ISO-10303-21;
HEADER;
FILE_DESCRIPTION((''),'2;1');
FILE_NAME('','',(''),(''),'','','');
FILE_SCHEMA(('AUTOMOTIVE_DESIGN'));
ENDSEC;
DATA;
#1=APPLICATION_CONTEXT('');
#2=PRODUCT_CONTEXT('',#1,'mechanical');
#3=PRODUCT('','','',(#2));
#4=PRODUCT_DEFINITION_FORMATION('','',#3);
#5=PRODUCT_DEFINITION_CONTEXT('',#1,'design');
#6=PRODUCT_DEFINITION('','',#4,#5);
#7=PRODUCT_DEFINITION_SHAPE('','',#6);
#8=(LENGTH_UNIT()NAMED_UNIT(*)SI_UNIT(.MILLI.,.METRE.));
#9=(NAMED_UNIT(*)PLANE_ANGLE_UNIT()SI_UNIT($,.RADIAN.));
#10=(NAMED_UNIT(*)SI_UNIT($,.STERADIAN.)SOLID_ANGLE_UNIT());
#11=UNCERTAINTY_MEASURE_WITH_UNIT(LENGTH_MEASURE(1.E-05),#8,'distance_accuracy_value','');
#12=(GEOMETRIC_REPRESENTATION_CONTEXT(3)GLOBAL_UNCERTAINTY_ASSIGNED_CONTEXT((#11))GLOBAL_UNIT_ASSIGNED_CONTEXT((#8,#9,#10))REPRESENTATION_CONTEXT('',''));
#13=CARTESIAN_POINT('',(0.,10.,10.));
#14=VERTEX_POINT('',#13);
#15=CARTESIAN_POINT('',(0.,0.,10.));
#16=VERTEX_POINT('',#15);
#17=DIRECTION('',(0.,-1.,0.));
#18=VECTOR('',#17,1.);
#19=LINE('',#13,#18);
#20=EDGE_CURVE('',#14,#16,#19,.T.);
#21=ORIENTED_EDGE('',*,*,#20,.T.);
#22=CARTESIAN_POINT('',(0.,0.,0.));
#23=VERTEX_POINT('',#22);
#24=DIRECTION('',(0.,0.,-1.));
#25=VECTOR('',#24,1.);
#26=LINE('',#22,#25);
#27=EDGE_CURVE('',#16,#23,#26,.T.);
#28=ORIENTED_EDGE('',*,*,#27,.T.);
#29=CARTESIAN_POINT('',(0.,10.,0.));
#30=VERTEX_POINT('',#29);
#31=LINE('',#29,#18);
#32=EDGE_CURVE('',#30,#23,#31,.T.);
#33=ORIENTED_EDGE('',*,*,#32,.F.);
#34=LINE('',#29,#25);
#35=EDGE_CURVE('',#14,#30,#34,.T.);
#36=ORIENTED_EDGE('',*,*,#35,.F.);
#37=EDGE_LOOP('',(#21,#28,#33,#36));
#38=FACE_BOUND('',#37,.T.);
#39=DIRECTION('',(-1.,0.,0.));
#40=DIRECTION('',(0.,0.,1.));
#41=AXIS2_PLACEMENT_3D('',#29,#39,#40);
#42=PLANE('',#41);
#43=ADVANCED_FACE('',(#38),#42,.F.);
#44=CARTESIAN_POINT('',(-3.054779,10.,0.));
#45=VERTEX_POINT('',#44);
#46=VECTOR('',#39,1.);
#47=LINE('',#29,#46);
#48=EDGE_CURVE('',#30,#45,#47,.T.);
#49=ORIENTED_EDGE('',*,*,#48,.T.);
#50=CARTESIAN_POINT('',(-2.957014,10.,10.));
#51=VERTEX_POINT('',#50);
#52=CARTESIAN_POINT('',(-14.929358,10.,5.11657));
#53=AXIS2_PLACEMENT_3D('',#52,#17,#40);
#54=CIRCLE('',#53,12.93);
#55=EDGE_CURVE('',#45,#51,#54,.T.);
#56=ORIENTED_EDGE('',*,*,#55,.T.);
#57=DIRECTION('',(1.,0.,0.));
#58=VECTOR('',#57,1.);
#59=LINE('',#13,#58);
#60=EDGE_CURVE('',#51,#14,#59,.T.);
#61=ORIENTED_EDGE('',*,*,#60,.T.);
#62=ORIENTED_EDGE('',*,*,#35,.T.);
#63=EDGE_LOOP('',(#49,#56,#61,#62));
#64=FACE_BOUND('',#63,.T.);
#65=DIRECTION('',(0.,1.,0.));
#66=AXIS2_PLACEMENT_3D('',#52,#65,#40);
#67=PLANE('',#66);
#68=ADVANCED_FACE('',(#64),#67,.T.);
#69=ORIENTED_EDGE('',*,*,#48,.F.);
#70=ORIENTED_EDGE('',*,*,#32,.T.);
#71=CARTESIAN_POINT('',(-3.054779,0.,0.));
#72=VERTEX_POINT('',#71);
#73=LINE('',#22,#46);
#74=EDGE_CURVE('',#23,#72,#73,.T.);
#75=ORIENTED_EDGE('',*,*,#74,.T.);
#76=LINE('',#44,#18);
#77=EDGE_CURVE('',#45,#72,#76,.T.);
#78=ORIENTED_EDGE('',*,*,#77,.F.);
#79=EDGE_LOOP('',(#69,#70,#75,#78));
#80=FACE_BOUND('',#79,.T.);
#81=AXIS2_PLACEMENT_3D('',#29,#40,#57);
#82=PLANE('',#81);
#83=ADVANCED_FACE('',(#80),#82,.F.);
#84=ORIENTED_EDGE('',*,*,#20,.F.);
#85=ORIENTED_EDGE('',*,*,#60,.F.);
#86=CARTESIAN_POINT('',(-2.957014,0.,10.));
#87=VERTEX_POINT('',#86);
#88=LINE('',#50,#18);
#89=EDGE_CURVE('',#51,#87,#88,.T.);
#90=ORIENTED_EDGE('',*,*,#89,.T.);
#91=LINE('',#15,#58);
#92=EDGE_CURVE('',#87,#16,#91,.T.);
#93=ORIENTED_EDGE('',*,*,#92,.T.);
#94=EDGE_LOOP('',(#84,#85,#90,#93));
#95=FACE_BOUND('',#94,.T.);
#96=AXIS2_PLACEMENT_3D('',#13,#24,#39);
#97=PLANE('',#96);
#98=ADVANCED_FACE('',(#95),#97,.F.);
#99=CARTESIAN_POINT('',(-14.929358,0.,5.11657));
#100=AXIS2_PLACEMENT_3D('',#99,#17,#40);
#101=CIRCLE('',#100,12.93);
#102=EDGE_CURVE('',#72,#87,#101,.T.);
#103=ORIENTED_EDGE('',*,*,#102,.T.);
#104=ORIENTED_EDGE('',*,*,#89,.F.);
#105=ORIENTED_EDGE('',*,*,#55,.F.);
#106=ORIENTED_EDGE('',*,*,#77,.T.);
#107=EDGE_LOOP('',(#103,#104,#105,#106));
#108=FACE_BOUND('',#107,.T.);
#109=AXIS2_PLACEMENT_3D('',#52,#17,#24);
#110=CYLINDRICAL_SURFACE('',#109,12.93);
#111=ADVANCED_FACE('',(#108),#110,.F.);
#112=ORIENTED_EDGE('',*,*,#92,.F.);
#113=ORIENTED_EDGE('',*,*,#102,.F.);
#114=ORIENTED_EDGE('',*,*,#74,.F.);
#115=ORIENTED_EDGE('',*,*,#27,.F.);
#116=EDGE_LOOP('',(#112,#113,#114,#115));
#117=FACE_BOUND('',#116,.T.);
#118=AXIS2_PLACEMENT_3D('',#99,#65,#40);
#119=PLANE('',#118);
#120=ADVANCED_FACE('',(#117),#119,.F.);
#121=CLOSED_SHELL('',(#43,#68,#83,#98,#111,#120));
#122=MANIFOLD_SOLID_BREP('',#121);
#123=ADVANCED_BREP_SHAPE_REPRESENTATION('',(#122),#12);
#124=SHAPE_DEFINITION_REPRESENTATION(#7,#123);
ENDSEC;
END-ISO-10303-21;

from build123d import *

# Parameters (mm, degrees)
EXTRUDE_1_DEPTH = 10


with BuildPart() as part:
    # 草图1 → 凸台-拉伸1 (new body)
    with BuildSketch(Plane(origin=(0, 0, 0), x_dir=(1, 0, 0), z_dir=(0, 1, 0))):
        with BuildLine():
            Line((0, 0), (0, -10))
            Line((0, -10), (-2.957014408, -10))
            ThreePointArc((-2.957014408, -10), (-1.999975821, -4.990165604), (-3.054779492, 0))
            Line((-3.054779492, 0), (0, 0))
        make_face()
    extrude(amount=EXTRUDE_1_DEPTH)


solid = part.part
